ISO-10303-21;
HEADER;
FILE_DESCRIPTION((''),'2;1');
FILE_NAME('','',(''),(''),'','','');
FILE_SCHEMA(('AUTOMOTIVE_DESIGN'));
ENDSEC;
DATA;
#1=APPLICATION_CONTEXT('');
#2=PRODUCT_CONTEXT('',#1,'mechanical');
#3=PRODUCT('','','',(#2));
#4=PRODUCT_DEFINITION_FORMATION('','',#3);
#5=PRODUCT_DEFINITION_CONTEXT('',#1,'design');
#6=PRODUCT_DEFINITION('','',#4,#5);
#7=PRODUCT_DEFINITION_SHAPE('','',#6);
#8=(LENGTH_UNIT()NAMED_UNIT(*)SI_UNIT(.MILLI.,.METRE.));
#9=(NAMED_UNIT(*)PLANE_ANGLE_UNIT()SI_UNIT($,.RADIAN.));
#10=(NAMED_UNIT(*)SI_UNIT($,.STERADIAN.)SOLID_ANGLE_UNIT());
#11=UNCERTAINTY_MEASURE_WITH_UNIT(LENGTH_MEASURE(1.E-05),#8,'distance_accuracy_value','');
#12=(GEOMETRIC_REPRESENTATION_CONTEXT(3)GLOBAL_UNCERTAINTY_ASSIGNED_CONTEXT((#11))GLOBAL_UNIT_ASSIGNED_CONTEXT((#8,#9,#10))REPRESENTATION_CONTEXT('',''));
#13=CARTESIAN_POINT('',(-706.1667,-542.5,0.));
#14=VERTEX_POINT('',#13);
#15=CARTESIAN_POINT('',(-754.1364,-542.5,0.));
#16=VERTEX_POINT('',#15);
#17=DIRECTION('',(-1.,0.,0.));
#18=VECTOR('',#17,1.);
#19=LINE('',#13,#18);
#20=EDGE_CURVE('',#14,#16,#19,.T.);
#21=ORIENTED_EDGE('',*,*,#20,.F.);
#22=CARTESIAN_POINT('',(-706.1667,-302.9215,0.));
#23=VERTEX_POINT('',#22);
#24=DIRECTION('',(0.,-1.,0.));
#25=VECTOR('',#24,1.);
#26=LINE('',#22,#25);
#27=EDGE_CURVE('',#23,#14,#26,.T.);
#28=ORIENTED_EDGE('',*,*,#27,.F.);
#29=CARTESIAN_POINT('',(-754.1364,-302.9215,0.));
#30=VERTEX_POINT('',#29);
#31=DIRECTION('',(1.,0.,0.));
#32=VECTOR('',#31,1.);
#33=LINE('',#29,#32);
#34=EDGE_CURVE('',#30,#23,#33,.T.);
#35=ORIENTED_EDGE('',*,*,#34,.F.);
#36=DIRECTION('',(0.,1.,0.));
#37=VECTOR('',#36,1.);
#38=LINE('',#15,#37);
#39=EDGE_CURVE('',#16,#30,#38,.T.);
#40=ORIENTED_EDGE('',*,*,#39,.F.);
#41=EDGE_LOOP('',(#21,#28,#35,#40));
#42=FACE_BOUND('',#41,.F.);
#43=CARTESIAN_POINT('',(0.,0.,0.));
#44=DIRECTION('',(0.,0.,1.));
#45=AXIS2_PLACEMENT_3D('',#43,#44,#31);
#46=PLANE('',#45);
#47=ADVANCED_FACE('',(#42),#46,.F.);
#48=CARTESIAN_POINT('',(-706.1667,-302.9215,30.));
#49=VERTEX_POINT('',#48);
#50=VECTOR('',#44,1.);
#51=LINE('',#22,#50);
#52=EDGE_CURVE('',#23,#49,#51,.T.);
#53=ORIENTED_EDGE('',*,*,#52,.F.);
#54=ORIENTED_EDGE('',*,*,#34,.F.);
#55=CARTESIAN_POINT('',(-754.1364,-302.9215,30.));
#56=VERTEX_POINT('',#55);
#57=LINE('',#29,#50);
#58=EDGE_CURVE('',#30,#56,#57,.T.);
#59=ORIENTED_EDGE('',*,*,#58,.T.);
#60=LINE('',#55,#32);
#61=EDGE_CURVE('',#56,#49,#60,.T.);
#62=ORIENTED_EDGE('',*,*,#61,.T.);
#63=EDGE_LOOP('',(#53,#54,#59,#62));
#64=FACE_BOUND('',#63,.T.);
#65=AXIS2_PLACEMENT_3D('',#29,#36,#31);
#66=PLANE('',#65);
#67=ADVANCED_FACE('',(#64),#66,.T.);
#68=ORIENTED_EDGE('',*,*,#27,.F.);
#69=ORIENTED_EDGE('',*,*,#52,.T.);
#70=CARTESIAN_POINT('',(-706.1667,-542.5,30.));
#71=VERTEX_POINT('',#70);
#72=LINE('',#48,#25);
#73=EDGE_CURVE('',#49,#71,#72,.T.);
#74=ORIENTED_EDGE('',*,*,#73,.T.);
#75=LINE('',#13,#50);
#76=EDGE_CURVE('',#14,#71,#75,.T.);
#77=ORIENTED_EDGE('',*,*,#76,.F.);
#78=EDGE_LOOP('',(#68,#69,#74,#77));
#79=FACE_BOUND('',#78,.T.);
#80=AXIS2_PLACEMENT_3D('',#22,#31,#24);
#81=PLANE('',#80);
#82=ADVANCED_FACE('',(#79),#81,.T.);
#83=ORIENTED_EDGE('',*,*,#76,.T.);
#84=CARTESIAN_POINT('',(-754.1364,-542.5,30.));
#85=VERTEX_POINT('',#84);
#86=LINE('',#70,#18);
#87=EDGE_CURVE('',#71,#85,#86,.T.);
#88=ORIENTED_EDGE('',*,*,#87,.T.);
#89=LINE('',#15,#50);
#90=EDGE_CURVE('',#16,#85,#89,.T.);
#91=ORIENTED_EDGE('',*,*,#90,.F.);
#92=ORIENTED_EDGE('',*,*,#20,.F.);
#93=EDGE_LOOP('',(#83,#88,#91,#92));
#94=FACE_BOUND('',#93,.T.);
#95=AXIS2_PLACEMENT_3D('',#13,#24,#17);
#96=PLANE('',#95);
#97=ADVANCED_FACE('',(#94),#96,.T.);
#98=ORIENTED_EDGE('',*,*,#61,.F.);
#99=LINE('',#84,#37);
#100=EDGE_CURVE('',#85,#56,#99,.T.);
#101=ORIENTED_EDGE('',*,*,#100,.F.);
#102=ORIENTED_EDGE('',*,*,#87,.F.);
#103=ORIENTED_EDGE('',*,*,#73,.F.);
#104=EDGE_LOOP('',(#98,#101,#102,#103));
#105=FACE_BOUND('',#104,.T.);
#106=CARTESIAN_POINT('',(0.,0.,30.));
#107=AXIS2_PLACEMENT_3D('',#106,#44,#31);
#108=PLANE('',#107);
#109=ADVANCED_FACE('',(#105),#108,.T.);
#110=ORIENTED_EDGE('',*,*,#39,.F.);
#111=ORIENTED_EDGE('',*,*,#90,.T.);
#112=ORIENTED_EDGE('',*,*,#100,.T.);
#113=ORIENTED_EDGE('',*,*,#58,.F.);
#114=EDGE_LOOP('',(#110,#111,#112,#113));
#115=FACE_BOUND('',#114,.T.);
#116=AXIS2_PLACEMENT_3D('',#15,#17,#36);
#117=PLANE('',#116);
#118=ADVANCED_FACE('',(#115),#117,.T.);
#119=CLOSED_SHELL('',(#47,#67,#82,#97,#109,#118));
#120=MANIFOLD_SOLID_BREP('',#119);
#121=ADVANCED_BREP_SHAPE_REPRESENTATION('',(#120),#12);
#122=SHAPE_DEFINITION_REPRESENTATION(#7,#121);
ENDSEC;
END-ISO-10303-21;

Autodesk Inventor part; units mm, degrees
ref_plane "YZ Plane" through (0, 0, 0) normal (1, 0, 0) x (0, 1, 0)
ref_plane "XZ Plane" through (0, 0, 0) normal (0, 1, 0) x (-1, 0, 0)
ref_plane "XY Plane" through (0, 0, 0) normal (0, 0, 1) x (1, 0, 0)
ref_plane "Arbeitsebene1" through (0, 0, 0) normal (0, 0, 1) x (1, 0, 0)
sketch "Skizze1" plane through (0, 0, 0) normal (0, 0, 1) x (1, 0, 0)
  line L0 (901.5, 442.5) -> (901.5, -442.5) construction
  line L1 (901.5, -442.5) -> (-901.5, -442.5) construction
  line L2 (-901.5, -442.5) -> (-901.5, 442.5) construction
  line L3 (-901.5, 442.5) -> (901.5, 442.5) construction
  line L4 (914, 455) -> (-914, 455) construction
  line L5 (-914, 455) -> (-914, -455) construction
  line L6 (-914, -455) -> (914, -455) construction
  line L7 (914, -455) -> (914, 455) construction
  line L8 (-734.2086, -542.5) -> (-717.297, -542.5) construction
  line L9 (-706.1667, -542.5) -> (-754.1364, -542.5)
  line L10 (-754.1364, -542.5) -> (-754.1364, -302.9215)
  line L11 (-754.1364, -302.9215) -> (-706.1667, -302.9215)
  line L12 (-706.1667, -302.9215) -> (-706.1667, -542.5)
  point P0 (0, 0)
extrude "Extrusion1" add sketch "Skizze1" along normal blind 30
properties part number "beam" material "Holz (Kirsche)"
